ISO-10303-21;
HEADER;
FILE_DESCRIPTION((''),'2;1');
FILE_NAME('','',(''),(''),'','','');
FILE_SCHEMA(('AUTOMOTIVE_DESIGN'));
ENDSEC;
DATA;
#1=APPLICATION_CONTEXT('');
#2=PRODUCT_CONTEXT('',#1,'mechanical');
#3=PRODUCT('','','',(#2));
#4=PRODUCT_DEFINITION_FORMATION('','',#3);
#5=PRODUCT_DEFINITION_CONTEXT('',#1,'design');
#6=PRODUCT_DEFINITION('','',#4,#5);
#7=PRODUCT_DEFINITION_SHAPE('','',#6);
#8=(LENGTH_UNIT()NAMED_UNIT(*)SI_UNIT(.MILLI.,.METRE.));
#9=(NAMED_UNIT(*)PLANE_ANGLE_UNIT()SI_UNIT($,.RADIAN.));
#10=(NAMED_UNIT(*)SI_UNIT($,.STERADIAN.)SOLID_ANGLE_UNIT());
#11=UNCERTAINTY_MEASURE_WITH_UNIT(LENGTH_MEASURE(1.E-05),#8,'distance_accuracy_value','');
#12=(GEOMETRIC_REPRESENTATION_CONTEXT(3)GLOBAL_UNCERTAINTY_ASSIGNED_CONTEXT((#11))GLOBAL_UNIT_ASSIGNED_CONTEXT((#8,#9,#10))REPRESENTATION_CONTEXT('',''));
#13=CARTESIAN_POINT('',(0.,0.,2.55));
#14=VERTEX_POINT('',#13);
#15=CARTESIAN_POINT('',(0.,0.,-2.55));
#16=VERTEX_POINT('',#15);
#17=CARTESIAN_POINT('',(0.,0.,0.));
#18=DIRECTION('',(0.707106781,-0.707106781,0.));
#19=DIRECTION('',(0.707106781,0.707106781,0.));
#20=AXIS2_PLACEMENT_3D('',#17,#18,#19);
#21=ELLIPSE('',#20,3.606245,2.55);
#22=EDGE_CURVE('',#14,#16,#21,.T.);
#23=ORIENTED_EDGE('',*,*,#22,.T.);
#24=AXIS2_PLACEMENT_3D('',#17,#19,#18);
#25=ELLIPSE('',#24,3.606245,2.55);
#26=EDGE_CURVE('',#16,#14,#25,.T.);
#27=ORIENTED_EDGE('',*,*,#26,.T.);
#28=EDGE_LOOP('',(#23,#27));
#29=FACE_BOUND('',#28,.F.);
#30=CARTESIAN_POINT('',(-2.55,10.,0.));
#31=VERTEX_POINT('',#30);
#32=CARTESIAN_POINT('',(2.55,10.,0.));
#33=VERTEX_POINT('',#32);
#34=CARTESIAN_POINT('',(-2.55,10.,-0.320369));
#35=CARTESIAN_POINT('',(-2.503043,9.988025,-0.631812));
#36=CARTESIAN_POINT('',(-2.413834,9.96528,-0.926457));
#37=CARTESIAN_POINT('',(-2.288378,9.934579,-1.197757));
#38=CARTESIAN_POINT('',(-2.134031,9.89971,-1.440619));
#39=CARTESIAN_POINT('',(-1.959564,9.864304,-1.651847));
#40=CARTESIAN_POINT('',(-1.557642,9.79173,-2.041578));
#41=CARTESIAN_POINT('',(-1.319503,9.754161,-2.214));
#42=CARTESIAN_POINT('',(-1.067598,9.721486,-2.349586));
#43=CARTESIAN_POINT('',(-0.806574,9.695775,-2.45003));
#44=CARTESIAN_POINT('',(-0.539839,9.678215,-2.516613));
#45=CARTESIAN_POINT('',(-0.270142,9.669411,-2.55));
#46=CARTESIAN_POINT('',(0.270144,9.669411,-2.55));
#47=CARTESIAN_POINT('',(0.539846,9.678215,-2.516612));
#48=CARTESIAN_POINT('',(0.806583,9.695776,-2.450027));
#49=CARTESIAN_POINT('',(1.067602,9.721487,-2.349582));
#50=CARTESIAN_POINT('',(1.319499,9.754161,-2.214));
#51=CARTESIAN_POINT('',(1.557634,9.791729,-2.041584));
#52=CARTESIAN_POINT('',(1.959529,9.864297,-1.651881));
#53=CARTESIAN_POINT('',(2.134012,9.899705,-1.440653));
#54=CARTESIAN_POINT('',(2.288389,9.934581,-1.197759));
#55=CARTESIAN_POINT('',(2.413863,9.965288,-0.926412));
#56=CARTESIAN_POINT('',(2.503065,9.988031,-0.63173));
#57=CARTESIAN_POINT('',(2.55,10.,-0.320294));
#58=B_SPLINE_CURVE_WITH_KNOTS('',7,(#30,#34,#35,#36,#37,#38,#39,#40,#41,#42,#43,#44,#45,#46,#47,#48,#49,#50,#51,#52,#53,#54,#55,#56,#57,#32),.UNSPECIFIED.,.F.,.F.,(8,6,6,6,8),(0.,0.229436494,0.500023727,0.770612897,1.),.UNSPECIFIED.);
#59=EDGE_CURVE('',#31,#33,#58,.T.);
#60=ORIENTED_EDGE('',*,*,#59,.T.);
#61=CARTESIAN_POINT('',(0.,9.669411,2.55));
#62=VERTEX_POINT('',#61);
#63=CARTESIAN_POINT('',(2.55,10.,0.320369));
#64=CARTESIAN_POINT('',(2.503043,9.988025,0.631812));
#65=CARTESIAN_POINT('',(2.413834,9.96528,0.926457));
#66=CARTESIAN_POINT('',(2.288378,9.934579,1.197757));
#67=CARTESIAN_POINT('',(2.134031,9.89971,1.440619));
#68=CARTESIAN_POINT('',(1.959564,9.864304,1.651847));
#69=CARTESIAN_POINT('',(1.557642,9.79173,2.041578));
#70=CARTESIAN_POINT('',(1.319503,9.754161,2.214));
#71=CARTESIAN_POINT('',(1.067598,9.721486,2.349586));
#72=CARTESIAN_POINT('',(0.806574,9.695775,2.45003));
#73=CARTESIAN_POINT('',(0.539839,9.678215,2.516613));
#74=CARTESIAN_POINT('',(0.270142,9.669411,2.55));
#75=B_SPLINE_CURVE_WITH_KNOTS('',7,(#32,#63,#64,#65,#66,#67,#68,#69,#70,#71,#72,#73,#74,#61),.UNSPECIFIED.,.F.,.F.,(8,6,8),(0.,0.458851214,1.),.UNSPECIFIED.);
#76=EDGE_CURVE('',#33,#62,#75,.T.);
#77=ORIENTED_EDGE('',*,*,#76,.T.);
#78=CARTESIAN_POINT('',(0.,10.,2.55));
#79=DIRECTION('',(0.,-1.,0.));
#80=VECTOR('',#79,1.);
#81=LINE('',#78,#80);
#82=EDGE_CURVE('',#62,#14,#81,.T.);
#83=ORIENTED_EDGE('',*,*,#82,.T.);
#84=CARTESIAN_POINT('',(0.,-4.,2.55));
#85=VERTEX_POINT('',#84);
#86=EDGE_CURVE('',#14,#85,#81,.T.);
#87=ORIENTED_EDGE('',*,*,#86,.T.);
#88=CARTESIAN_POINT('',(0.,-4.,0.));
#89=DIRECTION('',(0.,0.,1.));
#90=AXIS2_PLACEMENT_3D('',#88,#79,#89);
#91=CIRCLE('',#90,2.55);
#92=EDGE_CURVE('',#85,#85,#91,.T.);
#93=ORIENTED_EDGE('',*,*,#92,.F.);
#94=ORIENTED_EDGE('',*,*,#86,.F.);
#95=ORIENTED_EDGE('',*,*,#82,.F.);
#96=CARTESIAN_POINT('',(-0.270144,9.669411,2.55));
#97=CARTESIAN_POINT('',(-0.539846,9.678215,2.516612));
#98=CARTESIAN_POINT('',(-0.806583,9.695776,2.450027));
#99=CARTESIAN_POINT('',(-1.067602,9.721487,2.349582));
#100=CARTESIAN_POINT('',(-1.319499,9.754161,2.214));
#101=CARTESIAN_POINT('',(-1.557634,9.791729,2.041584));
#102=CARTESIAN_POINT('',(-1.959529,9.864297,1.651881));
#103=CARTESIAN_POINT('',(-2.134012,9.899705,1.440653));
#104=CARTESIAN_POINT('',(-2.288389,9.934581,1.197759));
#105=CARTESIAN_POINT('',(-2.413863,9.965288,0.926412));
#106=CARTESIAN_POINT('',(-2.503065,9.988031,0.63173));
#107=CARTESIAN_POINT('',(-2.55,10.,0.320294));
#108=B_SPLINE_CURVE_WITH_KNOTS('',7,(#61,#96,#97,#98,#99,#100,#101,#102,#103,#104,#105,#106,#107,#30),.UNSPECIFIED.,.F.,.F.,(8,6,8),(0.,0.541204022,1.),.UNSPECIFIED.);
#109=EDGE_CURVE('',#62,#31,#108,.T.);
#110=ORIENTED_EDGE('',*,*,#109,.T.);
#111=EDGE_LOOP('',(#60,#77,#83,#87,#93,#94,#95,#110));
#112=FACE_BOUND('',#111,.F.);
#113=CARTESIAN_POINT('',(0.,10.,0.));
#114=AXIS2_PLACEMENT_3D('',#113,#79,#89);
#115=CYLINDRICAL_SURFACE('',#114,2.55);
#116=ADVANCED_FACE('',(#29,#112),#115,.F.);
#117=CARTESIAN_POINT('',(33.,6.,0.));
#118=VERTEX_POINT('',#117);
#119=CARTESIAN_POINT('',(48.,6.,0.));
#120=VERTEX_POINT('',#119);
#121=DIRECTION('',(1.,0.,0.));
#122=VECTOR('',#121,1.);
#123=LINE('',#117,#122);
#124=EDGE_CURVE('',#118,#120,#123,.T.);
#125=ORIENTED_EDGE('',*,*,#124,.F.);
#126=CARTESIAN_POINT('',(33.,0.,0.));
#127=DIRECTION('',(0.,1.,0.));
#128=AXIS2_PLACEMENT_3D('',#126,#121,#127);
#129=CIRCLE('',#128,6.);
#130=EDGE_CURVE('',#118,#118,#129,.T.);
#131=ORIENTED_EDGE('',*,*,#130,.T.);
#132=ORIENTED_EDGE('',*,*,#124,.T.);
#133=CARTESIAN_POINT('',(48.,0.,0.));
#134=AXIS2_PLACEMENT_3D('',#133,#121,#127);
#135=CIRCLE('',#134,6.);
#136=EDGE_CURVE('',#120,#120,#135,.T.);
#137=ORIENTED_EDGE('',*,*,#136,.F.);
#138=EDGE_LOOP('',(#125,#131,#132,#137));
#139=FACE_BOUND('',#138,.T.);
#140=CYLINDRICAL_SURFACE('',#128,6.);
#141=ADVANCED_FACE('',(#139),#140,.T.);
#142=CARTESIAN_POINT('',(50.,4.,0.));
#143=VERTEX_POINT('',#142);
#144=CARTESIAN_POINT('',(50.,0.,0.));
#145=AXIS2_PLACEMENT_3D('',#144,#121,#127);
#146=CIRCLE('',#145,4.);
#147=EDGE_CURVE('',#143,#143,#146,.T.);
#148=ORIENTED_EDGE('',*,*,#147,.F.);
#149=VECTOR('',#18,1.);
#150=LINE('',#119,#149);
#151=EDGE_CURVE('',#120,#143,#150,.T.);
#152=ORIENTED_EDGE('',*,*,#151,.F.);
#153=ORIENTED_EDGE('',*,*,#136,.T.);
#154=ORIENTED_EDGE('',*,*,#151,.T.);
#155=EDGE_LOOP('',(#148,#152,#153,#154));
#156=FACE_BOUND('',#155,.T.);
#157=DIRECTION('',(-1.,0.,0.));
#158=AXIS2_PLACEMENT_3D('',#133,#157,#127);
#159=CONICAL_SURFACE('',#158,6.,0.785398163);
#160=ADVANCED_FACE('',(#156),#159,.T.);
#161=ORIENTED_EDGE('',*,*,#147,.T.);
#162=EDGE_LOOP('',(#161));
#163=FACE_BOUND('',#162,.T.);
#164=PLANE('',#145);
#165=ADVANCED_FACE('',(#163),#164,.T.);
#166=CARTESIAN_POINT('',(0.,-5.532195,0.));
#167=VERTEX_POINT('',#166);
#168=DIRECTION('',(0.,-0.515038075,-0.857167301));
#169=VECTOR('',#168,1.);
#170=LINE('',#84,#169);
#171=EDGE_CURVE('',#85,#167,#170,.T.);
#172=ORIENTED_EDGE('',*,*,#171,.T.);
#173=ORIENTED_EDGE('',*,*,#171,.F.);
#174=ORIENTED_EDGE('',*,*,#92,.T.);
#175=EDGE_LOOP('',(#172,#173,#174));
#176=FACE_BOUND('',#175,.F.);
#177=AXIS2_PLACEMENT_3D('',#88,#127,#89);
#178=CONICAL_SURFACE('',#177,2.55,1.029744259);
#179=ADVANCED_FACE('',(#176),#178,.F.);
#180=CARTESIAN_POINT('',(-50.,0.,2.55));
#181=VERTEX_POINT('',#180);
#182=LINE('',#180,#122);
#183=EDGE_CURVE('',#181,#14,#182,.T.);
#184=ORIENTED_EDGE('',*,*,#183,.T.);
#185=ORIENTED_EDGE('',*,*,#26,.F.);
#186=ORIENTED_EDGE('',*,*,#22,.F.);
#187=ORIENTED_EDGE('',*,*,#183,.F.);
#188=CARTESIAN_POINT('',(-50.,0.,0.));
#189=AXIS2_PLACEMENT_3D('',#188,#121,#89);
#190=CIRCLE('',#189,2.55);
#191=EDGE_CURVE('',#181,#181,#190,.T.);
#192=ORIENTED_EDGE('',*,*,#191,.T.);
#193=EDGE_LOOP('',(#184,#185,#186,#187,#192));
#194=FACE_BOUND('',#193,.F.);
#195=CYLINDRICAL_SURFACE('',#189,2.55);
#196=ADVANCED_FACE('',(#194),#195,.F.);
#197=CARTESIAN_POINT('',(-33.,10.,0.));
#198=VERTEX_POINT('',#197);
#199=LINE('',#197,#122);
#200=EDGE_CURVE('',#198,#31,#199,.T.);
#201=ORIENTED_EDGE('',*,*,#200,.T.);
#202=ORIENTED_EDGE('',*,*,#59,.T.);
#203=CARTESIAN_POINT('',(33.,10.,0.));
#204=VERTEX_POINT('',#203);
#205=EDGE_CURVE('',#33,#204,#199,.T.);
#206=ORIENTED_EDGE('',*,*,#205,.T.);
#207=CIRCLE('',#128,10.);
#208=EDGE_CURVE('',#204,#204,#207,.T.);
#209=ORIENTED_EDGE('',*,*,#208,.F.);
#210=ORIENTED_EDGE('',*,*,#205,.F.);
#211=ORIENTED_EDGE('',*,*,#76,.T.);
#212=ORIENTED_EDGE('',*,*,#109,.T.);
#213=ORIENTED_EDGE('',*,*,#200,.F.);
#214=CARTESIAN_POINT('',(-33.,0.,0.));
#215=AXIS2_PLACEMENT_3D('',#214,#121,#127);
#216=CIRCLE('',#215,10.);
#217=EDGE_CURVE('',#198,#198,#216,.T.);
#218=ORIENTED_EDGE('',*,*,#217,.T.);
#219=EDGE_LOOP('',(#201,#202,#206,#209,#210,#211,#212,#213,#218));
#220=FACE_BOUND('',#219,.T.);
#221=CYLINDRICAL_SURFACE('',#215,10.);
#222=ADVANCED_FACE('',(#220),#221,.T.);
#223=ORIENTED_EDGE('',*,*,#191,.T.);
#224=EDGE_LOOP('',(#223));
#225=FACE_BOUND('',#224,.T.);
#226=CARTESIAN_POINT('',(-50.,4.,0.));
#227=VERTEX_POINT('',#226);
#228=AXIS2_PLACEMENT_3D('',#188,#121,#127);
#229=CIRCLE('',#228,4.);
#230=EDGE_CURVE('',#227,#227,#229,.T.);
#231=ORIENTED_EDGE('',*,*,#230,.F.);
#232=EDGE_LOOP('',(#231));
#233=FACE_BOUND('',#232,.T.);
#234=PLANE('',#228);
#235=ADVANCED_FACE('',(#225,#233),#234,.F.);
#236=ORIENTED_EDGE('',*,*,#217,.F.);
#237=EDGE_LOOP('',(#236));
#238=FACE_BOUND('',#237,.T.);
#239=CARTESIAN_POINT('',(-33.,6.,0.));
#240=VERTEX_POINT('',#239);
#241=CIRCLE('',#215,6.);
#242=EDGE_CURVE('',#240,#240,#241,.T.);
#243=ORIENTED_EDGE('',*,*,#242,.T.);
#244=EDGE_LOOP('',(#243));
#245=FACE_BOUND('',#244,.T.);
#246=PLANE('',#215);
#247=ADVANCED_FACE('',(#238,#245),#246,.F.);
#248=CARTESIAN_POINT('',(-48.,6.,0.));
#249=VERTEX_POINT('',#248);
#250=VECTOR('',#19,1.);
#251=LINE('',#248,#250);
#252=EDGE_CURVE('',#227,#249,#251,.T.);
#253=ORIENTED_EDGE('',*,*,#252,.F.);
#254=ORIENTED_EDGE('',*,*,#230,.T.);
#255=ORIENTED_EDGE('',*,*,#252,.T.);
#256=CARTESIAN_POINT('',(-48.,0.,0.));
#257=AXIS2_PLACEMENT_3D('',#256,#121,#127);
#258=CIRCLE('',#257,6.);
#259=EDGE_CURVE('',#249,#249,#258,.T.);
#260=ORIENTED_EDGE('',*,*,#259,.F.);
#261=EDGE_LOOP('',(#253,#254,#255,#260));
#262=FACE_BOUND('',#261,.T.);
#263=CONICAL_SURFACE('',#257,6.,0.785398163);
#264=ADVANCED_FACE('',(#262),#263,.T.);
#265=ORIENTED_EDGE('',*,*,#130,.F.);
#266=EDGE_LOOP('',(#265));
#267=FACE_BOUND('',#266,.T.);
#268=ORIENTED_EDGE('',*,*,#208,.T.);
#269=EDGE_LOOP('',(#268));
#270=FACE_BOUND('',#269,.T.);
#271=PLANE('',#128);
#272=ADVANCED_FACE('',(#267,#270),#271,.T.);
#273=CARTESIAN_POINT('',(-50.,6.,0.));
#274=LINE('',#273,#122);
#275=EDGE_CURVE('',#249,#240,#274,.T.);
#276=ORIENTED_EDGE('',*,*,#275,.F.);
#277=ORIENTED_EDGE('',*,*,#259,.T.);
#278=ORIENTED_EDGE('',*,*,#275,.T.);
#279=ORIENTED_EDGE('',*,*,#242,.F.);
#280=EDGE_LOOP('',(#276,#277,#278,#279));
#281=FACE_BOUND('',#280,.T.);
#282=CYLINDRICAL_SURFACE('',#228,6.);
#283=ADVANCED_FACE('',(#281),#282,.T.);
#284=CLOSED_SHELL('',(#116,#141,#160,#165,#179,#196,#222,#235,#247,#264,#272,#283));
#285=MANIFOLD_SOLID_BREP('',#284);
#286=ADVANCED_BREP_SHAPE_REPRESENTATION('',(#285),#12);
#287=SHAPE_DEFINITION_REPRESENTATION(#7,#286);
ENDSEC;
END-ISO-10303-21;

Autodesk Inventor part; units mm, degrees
ref_plane "YZ Plane" through (0, 0, 0) normal (1, 0, 0) x (0, 1, 0)
ref_plane "XY Plane" through (0, 0, 0) normal (0, 0, 1) x (1, 0, 0)
sketch "Sketch1" plane through (0, 0, 0) normal (0, 0, 1) x (1, 0, 0)
  line L0 (-50, 0) -> (0, 0)
  line L1 (0, 0) -> (50, 0)
  line L2 (-50, 0) -> (-50, 6)
  line L3 (-50, 6) -> (-33, 6)
  line L4 (-33, 6) -> (-33, 10)
  line L5 (-33, 10) -> (33, 10)
  line L6 (33, 10) -> (33, 6)
  line L7 (33, 6) -> (50, 6)
  line L8 (50, 6) -> (50, 0)
  point P0 (-33, 8)
  dimension "d0" = 100
  dimension "d1" = 12
  dimension "d2" = 20
  dimension "d3" = 17
  dimension "d4" = 83
revolve "Revolution1" add sketch "Sketch1" angle 360 about axis through (-50, 0, 0) along (1, 0, 0)
sketch "Sketch2" plane through (-50, 0, 0) normal (-1, 0, 0) x (0, 0, 1)
  circle A0 centre (0, 0) radius 6 projected
hole "Hole1" at (-50, 0, 0) direction (1, 0, 0) diameter 5.1 depth 50 tip angle 118
ref_plane "Work Plane1" through (0, 10, 0) normal (0, 1, 0) x (-1, 0, 0)
sketch "Sketch3" plane through (0, 10, 0) normal (0, 1, 0) x (-1, 0, 0)
  line L0 (50, 6) -> (50, -6) projected
  point P0 (0, 0)
  point P1 (0, 0)
  dimension "d13" = 50
hole "Hole2" at (0, 10, 0) direction (0, -1, 0) diameter 5.1 depth 14 tip angle 118
chamfer "Chamfer1" distance 2 angle 45 2 edges at (-50, -6, 0) (50, -6, 0)
properties part number "05-spindel" material "Stainless Steel"
